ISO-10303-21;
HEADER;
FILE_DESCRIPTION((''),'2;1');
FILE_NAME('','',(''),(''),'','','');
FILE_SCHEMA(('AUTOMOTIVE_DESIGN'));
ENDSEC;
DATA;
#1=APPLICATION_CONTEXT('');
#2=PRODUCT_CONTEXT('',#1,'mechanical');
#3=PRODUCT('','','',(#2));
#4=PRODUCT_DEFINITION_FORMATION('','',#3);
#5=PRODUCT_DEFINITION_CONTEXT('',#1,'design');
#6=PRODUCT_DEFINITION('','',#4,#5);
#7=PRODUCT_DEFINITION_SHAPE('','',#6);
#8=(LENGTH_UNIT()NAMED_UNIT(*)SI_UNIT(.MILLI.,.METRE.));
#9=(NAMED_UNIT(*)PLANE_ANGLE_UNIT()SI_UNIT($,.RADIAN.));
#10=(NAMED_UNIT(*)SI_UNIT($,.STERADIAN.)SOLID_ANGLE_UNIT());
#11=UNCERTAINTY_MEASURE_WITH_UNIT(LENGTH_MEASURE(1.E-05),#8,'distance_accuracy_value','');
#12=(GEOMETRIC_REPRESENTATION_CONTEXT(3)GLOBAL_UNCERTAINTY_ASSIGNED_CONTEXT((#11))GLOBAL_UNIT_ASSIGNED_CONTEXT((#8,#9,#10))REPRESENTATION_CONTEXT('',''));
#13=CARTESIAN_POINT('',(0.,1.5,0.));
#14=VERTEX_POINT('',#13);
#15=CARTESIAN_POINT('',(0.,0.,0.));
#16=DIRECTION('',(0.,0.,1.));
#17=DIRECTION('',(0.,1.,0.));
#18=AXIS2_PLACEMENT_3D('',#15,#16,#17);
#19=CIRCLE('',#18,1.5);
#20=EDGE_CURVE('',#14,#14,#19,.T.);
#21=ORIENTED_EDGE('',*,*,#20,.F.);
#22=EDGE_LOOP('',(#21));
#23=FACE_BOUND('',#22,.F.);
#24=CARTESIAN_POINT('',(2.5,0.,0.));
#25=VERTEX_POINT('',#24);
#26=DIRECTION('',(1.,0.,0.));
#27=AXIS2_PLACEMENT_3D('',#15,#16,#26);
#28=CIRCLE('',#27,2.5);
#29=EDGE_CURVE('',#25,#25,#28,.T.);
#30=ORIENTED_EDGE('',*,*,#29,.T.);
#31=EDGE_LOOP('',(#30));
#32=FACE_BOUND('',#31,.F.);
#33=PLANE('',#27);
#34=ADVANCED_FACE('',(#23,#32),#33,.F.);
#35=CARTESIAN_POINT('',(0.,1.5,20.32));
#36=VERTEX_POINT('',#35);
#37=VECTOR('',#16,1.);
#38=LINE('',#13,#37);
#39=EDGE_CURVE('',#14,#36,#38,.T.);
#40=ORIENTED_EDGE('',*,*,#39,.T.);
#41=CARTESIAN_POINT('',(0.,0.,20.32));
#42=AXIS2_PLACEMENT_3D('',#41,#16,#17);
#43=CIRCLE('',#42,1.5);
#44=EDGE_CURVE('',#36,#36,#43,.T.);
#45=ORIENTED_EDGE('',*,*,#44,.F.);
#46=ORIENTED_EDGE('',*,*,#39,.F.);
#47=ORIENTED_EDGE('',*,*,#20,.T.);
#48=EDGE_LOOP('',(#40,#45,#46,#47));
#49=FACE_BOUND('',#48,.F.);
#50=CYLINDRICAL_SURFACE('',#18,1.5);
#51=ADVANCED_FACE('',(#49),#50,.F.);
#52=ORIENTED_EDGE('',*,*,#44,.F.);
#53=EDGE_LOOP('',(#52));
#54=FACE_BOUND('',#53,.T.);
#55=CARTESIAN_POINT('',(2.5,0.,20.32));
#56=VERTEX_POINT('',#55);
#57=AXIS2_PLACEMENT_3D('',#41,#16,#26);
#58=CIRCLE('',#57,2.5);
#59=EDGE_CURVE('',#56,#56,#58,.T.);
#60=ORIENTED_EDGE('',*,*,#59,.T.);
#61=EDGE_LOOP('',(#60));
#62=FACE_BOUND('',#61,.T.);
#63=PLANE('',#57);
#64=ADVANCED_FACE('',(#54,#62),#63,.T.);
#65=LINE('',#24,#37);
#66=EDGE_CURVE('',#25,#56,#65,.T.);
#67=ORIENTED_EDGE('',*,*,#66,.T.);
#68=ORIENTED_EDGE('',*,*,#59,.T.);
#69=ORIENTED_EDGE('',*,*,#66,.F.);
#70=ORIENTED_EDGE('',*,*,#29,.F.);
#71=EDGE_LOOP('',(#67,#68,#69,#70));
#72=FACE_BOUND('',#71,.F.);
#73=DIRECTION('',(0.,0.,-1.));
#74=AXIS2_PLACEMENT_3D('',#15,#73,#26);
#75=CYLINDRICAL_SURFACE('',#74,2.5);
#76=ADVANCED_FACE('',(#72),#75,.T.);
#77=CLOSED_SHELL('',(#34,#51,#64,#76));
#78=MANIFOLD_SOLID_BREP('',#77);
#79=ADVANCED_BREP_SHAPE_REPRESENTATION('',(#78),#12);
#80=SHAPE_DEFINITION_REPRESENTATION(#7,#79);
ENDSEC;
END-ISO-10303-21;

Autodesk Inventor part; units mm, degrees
ref_plane "YZ Plane" through (0, 0, 0) normal (1, 0, 0) x (0, 1, 0)
ref_plane "XZ Plane" through (0, 0, 0) normal (0, 1, 0) x (-1, 0, 0)
ref_plane "XY Plane" through (0, 0, 0) normal (0, 0, 1) x (1, 0, 0)
sketch "Sketch1" plane through (0, 0, 0) normal (0, 0, 1) x (1, 0, 0)
  circle A0 centre (0, 0) radius 2.5
  dimension "PenetrationOuterDiameter" = 5
extrude "Extrusion2" add sketch "Sketch1" along normal blind 20.32
hole "Hole2" at (0, 0, 0) direction (0, 0, 1) diameter 3 end through all
equation "\"PenetrationInnerDiameter\" = PenetrationOuterDiameter - 2 * PenetrationThickness"
equation "\"PenetrationThickness\" = 1"
properties part number "prenetration_top_sweep"
